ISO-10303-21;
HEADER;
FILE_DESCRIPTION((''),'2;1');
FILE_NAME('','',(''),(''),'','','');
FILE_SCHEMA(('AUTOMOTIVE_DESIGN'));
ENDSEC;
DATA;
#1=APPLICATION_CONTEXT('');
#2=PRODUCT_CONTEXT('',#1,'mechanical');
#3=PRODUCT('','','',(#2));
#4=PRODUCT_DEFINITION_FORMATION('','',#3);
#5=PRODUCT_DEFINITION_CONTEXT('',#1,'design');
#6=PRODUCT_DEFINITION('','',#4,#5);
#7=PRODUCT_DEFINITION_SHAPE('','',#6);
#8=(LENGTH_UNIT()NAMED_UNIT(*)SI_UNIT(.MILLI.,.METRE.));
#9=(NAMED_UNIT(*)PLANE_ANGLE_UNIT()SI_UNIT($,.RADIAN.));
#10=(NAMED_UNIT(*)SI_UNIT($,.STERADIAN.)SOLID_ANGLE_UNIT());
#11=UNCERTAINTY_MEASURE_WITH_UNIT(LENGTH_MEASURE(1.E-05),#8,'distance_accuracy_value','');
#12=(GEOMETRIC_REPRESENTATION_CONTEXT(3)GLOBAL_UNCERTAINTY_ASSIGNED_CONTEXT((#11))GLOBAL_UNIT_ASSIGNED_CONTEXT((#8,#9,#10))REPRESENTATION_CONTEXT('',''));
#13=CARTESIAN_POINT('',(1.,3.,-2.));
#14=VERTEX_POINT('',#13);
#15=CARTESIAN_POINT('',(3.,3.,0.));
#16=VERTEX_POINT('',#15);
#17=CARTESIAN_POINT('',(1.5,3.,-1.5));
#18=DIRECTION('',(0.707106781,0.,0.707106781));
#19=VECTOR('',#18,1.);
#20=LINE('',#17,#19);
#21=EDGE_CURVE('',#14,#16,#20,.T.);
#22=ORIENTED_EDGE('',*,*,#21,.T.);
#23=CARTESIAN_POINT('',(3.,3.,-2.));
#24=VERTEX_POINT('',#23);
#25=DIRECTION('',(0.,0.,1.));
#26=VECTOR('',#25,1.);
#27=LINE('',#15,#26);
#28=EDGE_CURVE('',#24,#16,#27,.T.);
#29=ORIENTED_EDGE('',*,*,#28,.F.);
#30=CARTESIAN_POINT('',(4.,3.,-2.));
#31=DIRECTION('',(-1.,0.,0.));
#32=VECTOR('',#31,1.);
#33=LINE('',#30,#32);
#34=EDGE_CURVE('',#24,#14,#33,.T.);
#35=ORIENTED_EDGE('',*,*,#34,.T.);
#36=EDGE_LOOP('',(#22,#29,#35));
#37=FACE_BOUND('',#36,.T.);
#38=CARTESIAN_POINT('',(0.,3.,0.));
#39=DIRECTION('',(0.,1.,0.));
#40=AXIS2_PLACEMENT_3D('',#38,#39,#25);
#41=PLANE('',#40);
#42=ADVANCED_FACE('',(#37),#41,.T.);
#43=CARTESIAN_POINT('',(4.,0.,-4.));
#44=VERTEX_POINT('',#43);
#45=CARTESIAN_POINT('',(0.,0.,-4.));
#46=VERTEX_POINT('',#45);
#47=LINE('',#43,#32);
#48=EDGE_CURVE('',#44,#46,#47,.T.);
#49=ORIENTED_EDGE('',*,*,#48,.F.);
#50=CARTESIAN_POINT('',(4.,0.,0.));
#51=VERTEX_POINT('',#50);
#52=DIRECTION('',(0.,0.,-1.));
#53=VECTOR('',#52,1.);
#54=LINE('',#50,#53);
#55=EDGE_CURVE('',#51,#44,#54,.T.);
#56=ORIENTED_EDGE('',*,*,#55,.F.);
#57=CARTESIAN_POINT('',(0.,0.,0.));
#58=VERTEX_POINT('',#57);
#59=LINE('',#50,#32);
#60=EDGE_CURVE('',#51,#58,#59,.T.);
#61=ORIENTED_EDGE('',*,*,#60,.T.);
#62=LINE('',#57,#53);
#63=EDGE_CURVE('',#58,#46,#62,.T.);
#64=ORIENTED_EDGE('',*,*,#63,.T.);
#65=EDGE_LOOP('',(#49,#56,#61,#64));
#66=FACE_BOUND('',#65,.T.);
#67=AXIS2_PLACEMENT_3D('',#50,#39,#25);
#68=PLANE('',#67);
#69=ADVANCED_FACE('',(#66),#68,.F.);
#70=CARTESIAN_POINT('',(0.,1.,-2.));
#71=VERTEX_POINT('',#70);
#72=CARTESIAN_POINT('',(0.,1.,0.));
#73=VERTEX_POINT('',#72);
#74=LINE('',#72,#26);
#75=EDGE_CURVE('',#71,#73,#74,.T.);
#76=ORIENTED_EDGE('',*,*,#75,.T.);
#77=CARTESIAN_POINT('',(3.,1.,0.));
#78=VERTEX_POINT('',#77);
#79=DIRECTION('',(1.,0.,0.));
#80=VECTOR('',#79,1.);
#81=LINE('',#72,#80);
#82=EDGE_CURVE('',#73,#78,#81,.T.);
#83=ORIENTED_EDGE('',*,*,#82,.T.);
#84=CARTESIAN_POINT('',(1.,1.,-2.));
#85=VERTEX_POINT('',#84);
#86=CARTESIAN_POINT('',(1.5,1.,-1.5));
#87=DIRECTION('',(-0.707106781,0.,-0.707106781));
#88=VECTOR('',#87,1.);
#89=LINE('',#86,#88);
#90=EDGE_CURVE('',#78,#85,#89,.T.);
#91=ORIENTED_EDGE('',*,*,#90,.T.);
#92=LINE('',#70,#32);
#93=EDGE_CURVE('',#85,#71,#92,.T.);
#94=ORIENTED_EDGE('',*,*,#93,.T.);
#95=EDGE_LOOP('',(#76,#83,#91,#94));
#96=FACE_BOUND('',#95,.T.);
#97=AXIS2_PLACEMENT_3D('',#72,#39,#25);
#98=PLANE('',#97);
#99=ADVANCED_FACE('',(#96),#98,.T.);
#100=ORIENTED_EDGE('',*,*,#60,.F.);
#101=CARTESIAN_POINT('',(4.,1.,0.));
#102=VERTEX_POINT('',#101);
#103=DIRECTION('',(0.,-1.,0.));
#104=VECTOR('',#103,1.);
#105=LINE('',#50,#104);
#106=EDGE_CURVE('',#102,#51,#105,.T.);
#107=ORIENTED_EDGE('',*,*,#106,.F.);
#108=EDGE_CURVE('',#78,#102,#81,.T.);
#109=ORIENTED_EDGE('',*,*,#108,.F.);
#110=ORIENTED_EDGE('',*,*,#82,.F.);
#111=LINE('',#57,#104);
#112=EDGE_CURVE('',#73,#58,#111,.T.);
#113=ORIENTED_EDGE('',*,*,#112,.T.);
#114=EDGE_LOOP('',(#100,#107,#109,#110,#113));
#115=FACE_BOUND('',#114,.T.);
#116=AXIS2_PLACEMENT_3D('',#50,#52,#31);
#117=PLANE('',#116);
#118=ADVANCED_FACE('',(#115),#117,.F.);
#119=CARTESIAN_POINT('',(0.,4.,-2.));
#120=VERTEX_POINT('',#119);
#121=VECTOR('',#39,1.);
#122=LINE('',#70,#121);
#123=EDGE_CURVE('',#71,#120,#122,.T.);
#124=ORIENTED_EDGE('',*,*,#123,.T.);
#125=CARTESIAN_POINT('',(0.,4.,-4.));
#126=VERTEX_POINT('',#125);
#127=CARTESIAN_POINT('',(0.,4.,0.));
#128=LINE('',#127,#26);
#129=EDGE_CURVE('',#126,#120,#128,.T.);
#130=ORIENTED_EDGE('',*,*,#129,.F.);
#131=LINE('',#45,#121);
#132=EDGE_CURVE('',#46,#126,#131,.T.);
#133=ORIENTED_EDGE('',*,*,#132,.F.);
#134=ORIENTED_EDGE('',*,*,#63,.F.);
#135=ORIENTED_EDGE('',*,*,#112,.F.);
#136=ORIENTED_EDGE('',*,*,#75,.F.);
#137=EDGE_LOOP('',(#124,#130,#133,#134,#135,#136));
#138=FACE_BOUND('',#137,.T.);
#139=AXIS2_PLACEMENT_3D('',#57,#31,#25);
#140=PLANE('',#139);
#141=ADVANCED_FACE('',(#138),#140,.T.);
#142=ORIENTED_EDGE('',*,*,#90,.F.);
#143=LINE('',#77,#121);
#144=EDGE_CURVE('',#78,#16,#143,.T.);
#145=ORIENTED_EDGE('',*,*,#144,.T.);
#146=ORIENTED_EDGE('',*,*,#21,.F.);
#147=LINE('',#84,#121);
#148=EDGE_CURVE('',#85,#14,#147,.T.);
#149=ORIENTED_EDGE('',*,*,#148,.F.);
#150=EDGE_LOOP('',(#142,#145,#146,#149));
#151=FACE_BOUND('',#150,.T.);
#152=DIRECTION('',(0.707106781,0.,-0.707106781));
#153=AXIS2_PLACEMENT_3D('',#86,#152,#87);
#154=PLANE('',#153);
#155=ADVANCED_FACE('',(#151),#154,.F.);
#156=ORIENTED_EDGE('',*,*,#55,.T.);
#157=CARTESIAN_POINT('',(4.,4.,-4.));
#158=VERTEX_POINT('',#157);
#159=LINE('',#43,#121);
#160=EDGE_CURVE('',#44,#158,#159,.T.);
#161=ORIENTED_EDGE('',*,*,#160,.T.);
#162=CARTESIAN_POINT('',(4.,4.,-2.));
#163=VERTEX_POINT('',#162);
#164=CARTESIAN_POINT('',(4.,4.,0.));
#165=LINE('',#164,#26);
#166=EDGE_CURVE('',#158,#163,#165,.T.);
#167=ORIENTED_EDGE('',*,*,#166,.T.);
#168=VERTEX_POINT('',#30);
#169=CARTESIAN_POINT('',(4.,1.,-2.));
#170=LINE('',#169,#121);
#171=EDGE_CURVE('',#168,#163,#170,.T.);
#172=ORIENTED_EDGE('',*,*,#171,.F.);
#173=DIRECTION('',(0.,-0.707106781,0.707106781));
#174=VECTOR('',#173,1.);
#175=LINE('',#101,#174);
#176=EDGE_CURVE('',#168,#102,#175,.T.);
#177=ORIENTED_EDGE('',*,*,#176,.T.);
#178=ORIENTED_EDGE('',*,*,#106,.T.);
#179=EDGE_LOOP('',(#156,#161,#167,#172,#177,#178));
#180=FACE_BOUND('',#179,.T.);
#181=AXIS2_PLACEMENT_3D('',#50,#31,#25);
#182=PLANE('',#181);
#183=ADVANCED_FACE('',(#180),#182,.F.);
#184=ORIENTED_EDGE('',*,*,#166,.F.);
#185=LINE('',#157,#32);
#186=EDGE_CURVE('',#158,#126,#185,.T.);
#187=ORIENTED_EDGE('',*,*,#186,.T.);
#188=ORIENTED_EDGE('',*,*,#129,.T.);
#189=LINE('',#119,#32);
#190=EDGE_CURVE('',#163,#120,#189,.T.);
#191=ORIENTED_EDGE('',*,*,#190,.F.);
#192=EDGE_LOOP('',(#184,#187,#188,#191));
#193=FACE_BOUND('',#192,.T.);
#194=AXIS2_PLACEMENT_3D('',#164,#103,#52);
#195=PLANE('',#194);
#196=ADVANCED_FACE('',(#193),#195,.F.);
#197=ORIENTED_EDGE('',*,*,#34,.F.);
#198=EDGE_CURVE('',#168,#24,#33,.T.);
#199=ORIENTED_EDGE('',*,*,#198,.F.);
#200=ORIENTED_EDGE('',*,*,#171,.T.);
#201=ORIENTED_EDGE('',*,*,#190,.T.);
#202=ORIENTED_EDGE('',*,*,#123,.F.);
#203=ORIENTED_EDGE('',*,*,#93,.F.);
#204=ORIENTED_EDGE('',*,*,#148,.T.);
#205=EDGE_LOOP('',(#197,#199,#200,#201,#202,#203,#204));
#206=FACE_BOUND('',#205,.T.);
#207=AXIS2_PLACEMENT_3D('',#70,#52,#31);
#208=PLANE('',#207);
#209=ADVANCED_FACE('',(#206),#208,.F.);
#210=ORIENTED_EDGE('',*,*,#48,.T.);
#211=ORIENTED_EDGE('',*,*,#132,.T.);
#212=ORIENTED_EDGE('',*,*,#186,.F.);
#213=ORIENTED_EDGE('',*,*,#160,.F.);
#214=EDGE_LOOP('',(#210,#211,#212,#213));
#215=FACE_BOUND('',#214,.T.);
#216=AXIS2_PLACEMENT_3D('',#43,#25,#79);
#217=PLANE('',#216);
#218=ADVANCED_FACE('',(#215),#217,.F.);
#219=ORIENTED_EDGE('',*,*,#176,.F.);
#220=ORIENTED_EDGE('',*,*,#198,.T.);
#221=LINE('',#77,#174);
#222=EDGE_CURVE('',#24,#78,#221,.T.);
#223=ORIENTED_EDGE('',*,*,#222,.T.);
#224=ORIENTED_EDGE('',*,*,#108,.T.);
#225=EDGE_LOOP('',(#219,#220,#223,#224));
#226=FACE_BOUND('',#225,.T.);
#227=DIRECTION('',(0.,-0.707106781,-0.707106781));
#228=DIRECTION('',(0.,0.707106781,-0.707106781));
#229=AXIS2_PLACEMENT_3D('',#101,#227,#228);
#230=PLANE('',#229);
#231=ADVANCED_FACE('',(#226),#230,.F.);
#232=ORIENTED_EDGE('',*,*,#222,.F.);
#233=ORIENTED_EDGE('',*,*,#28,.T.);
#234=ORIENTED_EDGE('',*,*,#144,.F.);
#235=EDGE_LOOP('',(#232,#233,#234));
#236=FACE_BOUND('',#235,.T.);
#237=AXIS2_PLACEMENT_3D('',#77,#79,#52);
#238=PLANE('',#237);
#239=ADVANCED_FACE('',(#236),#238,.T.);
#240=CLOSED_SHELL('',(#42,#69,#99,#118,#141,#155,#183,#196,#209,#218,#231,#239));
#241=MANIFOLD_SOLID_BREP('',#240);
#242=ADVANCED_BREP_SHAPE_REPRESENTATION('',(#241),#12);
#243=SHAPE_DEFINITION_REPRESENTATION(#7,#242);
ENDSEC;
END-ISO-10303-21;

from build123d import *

# Parameters (mm, degrees)
SKETCH1_W           = 4
SKETCH1_H           = 4
BOSS_EXTRUDE1_DEPTH = 4
SKETCH2_W           = 1
SKETCH2_H           = 2
CUT_EXTRUDE1_DEPTH  = 3
SKETCH4_W           = 3
SKETCH4_H           = 2
CUT_EXTRUDE2_DEPTH  = 1
BOSS_EXTRUDE2_DEPTH = 1


with BuildPart() as part:
    # Sketch1 → Boss-Extrude1 (new body)
    with BuildSketch(Plane(origin=(0, 0, 0), x_dir=(0, 0, -1), z_dir=(1, 0, 0))):
        with Locations((2, 2)):
            Rectangle(SKETCH1_W, SKETCH1_H)
    extrude(amount=BOSS_EXTRUDE1_DEPTH)

    # Sketch2 → Cut-Extrude1 (cut)
    with BuildSketch(Plane(origin=(0, 4, 0), x_dir=(1, 0, 0), z_dir=(0, 1, 0))):
        Polygon((0, 0), (3, 0), (1, 2), (0, 2), align=None)
        with Locations((3.5, 1)):
            Rectangle(SKETCH2_W, SKETCH2_H)
    extrude(amount=-CUT_EXTRUDE1_DEPTH, mode=Mode.SUBTRACT)

    # Sketch4 → Cut-Extrude2 (cut)
    with BuildSketch(Plane(origin=(0, 4, 0), x_dir=(1, 0, 0), z_dir=(0, 1, 0))):
        with Locations((2.5, 1)):
            Rectangle(SKETCH4_W, SKETCH4_H)
    extrude(amount=-CUT_EXTRUDE2_DEPTH, mode=Mode.SUBTRACT)

    # Sketch5 → Boss-Extrude2 (add)
    with BuildSketch(Plane(origin=(3, 0, 0), x_dir=(0, 0, -1), z_dir=(1, 0, 0))):
        Polygon((0, 1), (2, 3), (2, 1), align=None)
    extrude(amount=BOSS_EXTRUDE2_DEPTH)


solid = part.part
